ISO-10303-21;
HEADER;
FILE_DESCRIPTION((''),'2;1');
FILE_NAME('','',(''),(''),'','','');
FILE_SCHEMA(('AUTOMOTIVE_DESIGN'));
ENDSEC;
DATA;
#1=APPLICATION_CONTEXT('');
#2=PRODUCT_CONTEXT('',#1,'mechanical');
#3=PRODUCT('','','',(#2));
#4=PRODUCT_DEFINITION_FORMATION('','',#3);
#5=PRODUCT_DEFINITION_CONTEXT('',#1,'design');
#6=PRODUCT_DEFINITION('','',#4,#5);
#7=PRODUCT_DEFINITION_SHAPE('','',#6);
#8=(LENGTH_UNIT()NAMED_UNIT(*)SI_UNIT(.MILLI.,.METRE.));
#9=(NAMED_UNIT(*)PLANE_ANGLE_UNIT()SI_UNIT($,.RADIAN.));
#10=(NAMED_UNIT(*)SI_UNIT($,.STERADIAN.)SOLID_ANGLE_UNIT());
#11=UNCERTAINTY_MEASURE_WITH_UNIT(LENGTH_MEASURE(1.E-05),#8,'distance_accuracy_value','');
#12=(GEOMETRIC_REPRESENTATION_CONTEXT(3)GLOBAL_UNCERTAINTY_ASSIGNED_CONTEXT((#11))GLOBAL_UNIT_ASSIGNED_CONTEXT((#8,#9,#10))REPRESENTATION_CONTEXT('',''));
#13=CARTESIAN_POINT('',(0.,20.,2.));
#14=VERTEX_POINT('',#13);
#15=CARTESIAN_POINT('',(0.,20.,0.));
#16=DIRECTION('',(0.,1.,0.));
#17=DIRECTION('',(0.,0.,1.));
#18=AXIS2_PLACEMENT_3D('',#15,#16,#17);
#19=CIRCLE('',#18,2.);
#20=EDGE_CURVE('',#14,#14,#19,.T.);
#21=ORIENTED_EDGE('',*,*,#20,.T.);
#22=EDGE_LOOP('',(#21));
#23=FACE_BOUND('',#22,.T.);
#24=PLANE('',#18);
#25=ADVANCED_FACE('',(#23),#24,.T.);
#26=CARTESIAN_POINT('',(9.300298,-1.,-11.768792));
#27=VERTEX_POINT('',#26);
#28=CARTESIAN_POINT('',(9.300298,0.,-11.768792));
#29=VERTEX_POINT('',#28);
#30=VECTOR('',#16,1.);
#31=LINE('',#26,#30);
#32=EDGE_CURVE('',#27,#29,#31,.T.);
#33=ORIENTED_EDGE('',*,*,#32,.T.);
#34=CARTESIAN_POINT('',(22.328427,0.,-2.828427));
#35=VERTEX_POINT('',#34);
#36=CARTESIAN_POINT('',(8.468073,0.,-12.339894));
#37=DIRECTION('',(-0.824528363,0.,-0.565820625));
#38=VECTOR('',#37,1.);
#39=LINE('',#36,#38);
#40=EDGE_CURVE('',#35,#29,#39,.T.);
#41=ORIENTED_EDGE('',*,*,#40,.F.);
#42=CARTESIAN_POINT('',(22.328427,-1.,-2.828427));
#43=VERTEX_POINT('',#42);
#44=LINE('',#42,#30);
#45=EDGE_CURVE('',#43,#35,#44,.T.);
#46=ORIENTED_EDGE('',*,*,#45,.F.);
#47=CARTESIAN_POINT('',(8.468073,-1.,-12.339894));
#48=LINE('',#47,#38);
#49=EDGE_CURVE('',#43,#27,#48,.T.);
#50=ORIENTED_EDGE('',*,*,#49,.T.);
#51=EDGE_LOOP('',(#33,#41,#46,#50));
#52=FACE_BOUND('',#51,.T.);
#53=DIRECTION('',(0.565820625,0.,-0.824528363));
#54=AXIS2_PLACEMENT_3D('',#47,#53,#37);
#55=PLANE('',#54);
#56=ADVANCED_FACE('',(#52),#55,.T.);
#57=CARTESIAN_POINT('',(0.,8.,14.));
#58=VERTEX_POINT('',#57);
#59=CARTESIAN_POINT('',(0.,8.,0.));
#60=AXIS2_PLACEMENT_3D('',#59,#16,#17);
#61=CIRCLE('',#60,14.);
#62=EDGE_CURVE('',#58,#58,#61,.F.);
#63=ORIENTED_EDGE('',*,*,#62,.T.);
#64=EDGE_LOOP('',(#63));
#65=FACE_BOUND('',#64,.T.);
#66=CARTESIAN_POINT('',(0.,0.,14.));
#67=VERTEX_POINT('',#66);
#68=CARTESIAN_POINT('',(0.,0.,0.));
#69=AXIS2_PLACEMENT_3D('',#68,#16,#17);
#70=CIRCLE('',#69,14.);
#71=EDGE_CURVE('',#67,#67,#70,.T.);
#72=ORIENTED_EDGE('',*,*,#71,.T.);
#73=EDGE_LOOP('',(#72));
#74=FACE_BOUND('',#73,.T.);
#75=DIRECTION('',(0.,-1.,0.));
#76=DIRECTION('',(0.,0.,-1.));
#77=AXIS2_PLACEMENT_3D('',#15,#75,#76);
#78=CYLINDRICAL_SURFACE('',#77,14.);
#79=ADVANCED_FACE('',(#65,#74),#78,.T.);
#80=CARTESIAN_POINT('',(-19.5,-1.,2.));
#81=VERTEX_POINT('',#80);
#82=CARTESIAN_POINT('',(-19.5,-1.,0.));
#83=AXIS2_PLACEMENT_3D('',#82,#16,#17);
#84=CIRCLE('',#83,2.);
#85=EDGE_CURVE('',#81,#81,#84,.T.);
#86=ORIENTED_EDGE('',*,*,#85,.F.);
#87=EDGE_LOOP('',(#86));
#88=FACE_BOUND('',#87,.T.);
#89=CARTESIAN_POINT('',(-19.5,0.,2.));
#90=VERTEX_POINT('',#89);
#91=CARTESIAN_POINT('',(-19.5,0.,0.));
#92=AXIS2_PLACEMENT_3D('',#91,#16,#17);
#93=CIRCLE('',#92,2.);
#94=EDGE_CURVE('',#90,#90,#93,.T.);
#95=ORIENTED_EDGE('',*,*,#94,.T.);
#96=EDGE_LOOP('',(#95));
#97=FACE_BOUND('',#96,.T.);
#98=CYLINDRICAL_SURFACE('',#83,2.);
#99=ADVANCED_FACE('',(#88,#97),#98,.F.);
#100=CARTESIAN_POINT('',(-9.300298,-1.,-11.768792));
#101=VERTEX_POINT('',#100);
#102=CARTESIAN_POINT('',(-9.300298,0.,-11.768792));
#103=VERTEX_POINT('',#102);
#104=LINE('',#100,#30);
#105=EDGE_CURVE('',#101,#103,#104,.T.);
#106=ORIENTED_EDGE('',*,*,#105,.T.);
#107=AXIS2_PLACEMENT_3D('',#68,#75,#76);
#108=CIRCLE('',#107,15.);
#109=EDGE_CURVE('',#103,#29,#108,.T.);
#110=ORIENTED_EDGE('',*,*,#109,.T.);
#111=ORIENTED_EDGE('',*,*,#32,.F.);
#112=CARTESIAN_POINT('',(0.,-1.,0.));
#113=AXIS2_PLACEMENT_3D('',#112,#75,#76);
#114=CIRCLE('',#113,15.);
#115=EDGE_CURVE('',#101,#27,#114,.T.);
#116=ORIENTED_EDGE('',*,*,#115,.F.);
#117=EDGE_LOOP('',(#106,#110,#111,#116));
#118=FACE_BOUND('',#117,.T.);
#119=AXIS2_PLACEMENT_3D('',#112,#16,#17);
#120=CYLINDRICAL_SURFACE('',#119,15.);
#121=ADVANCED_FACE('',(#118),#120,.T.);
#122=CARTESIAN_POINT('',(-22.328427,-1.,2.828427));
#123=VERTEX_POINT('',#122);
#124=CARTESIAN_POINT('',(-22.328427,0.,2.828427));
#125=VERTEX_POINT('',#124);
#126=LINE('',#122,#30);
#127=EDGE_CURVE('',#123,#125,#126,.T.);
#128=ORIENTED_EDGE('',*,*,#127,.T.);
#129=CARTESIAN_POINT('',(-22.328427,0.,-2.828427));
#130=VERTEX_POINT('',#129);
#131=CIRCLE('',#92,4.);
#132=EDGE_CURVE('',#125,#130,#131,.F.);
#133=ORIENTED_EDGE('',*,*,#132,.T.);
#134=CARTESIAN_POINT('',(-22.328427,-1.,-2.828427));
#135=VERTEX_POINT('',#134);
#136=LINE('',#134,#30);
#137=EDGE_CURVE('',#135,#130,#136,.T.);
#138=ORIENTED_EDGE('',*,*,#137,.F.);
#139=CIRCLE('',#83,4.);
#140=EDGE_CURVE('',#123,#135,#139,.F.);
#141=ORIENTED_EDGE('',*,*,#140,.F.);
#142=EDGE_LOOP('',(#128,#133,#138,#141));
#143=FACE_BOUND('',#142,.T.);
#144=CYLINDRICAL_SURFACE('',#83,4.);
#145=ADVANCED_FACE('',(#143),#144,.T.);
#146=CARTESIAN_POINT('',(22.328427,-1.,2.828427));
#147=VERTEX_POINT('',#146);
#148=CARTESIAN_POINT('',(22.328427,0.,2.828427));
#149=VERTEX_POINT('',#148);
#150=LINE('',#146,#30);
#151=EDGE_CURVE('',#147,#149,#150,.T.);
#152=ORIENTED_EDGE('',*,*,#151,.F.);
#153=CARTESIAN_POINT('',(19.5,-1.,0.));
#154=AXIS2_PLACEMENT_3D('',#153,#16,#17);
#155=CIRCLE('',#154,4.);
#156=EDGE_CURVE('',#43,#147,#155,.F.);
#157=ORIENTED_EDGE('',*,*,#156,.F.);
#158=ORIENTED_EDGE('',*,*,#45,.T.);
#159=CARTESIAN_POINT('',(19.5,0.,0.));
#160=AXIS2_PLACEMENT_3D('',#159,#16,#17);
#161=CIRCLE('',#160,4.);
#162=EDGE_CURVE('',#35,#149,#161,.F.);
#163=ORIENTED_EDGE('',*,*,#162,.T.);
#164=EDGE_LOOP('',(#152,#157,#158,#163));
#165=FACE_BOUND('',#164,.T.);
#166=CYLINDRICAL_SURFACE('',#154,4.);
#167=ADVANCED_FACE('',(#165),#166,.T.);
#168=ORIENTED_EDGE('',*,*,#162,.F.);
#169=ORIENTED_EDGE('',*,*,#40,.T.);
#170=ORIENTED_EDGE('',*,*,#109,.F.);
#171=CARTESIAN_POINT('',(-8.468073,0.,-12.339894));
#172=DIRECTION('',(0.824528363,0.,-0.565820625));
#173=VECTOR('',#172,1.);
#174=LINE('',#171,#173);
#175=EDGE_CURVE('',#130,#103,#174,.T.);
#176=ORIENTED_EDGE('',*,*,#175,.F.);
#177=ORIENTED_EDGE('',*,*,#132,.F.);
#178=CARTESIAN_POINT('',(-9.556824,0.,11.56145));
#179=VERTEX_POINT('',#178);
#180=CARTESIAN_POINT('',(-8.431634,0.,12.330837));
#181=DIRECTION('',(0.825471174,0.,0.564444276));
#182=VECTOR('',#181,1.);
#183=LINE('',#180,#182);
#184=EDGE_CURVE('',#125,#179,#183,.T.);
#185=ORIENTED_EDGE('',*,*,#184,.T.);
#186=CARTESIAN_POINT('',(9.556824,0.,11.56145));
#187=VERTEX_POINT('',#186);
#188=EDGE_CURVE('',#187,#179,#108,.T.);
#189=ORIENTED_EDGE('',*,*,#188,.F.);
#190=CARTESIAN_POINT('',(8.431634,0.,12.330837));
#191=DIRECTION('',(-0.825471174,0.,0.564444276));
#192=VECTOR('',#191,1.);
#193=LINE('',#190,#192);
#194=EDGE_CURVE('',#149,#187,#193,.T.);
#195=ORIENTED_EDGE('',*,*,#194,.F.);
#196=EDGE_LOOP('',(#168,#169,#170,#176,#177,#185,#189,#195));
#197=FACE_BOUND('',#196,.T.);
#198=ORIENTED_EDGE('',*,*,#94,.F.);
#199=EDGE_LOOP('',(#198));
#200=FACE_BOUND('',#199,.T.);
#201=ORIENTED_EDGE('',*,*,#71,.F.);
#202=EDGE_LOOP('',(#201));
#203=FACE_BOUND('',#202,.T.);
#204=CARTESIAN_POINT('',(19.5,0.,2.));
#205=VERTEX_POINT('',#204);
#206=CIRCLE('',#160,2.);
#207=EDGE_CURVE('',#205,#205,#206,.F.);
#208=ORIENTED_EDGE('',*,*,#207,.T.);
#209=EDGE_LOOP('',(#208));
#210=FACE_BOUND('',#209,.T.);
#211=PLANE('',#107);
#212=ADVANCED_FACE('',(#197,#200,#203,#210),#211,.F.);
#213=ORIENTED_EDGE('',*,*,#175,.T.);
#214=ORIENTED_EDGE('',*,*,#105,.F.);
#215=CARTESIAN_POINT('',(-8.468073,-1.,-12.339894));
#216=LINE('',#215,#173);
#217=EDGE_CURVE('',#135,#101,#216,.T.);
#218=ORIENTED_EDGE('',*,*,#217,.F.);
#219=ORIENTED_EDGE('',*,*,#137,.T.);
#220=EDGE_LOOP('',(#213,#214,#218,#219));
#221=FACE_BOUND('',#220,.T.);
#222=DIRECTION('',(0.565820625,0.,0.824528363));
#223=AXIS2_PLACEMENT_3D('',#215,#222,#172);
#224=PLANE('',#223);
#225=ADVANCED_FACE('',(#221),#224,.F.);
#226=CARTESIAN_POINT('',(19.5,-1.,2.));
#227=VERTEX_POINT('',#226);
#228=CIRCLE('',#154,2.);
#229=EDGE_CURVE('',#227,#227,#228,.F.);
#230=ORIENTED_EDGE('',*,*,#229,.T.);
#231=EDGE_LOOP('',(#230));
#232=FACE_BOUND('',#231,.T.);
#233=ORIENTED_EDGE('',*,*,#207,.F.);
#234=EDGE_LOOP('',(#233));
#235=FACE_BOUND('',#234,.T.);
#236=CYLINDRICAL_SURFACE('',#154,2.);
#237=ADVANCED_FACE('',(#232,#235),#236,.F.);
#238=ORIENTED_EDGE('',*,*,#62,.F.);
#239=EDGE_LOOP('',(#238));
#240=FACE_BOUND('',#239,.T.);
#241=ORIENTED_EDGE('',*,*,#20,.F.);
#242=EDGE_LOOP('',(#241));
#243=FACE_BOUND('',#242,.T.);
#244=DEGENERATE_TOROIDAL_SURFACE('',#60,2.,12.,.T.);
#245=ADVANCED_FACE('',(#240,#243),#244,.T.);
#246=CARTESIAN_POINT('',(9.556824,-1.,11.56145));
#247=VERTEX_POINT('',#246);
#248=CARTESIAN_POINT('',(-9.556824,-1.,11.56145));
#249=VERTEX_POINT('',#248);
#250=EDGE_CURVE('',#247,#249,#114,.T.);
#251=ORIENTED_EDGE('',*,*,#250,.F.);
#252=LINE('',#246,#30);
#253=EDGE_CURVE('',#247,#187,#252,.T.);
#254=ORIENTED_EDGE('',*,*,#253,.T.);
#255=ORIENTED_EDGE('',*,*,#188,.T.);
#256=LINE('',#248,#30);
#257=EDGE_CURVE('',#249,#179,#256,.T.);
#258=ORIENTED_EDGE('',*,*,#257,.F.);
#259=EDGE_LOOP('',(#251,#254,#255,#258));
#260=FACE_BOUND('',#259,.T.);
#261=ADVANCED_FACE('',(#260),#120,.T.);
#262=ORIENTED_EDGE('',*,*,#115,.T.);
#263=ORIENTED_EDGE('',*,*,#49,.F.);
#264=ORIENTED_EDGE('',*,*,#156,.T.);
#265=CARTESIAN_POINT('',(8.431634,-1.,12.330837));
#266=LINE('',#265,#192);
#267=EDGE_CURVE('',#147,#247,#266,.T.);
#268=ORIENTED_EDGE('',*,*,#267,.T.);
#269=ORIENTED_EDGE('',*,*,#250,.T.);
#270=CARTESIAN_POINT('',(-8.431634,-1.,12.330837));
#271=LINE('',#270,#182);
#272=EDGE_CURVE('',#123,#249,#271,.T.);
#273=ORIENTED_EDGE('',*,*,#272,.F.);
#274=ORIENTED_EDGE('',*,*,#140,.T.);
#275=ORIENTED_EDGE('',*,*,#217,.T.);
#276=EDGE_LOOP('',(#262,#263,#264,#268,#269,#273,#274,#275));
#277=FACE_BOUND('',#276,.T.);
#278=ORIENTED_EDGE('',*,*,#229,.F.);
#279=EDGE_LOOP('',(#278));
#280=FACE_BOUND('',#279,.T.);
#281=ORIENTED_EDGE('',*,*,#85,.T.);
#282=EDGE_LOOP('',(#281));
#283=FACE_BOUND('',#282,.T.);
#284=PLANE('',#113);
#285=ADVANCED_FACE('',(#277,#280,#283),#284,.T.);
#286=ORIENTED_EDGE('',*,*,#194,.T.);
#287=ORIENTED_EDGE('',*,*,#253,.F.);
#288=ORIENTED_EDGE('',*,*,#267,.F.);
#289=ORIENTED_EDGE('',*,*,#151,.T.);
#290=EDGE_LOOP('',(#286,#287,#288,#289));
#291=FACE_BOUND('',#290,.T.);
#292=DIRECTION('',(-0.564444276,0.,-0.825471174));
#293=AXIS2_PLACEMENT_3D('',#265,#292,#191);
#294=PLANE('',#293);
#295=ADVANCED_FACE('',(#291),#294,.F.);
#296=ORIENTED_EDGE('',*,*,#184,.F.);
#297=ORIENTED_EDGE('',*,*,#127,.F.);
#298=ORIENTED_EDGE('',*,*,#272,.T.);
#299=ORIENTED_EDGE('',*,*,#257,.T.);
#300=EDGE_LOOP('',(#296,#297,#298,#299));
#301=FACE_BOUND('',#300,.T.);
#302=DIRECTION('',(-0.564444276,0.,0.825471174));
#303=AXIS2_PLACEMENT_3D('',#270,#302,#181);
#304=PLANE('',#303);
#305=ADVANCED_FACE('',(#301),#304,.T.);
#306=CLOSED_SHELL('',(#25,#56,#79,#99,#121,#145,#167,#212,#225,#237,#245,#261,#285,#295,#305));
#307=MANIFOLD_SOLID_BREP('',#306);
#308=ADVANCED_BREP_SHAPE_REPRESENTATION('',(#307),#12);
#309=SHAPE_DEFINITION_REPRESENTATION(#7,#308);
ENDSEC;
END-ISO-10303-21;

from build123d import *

# Parameters (mm, degrees)
SKETCH1_R           = 14
BOSS_EXTRUDE1_DEPTH = 20
FILLET_1_R          = 12
SKETCH2_R           = 15
BOSS_EXTRUDE2_DEPTH = 1
SKETCH3_R           = 2
BOSS_EXTRUDE3_DEPTH = 1


with BuildPart() as part:
    # Sketch1 → Boss-Extrude1 (new body)
    with BuildSketch(Plane(origin=(0, 0, 0), x_dir=(1, 0, 0), z_dir=(0, 1, 0))):
        Circle(SKETCH1_R)
    extrude(amount=BOSS_EXTRUDE1_DEPTH)

    # Fillet 1
    fillet_1_edges = [part.edges().sort_by_distance(p)[0] for p in [
        (-14, 20, 0),
    ]]
    fillet(fillet_1_edges, radius=FILLET_1_R)

    # Sketch2 → Boss-Extrude2 (add)
    with BuildSketch(Plane(origin=(0, 0, 0), x_dir=(-1, 0, 0), z_dir=(0, -1, 0))):
        Circle(SKETCH2_R)
    extrude(amount=BOSS_EXTRUDE2_DEPTH)

    # Sketch3 → Boss-Extrude3 (add)
    with BuildSketch(Plane(origin=(0, 0, 0), x_dir=(1, 0, 0), z_dir=(0, 1, 0))):
        with BuildLine():
            Line((-9.300297681, 11.768791911), (-22.328427125, 2.828427125))
            ThreePointArc((-22.328427125, 2.828427125), (-23.19551813, 1.530733729), (-23.5, 0))
            ThreePointArc((-23.5, 0), (-23.19551813, -1.530733729), (-22.328427125, -2.828427125))
            Line((-22.328427125, -2.828427125), (-9.556823766, -11.561449714))
            ThreePointArc((-9.556823766, -11.561449714), (-14.999093336, 0.164921511), (-9.300297681, 11.768791911))
        make_face()
        with Locations((-19.5, 0)):
            Circle(SKETCH3_R, mode=Mode.SUBTRACT)
        with BuildLine():
            Line((22.328427125, 2.828427125), (9.300297681, 11.768791911))
            ThreePointArc((9.300297681, 11.768791911), (13.500082689, 6.538177681), (15, 0))
            ThreePointArc((15, 0), (13.571152429, -6.389352217), (9.556823766, -11.561449714))
            Line((9.556823766, -11.561449714), (22.328427125, -2.828427125))
            ThreePointArc((22.328427125, -2.828427125), (23.19551813, -1.530733729), (23.5, 0))
            ThreePointArc((23.5, 0), (23.19551813, 1.530733729), (22.328427125, 2.828427125))
        make_face()
        with Locations((19.5, 0)):
            Circle(SKETCH3_R, mode=Mode.SUBTRACT)
    extrude(amount=-BOSS_EXTRUDE3_DEPTH)


solid = part.part
